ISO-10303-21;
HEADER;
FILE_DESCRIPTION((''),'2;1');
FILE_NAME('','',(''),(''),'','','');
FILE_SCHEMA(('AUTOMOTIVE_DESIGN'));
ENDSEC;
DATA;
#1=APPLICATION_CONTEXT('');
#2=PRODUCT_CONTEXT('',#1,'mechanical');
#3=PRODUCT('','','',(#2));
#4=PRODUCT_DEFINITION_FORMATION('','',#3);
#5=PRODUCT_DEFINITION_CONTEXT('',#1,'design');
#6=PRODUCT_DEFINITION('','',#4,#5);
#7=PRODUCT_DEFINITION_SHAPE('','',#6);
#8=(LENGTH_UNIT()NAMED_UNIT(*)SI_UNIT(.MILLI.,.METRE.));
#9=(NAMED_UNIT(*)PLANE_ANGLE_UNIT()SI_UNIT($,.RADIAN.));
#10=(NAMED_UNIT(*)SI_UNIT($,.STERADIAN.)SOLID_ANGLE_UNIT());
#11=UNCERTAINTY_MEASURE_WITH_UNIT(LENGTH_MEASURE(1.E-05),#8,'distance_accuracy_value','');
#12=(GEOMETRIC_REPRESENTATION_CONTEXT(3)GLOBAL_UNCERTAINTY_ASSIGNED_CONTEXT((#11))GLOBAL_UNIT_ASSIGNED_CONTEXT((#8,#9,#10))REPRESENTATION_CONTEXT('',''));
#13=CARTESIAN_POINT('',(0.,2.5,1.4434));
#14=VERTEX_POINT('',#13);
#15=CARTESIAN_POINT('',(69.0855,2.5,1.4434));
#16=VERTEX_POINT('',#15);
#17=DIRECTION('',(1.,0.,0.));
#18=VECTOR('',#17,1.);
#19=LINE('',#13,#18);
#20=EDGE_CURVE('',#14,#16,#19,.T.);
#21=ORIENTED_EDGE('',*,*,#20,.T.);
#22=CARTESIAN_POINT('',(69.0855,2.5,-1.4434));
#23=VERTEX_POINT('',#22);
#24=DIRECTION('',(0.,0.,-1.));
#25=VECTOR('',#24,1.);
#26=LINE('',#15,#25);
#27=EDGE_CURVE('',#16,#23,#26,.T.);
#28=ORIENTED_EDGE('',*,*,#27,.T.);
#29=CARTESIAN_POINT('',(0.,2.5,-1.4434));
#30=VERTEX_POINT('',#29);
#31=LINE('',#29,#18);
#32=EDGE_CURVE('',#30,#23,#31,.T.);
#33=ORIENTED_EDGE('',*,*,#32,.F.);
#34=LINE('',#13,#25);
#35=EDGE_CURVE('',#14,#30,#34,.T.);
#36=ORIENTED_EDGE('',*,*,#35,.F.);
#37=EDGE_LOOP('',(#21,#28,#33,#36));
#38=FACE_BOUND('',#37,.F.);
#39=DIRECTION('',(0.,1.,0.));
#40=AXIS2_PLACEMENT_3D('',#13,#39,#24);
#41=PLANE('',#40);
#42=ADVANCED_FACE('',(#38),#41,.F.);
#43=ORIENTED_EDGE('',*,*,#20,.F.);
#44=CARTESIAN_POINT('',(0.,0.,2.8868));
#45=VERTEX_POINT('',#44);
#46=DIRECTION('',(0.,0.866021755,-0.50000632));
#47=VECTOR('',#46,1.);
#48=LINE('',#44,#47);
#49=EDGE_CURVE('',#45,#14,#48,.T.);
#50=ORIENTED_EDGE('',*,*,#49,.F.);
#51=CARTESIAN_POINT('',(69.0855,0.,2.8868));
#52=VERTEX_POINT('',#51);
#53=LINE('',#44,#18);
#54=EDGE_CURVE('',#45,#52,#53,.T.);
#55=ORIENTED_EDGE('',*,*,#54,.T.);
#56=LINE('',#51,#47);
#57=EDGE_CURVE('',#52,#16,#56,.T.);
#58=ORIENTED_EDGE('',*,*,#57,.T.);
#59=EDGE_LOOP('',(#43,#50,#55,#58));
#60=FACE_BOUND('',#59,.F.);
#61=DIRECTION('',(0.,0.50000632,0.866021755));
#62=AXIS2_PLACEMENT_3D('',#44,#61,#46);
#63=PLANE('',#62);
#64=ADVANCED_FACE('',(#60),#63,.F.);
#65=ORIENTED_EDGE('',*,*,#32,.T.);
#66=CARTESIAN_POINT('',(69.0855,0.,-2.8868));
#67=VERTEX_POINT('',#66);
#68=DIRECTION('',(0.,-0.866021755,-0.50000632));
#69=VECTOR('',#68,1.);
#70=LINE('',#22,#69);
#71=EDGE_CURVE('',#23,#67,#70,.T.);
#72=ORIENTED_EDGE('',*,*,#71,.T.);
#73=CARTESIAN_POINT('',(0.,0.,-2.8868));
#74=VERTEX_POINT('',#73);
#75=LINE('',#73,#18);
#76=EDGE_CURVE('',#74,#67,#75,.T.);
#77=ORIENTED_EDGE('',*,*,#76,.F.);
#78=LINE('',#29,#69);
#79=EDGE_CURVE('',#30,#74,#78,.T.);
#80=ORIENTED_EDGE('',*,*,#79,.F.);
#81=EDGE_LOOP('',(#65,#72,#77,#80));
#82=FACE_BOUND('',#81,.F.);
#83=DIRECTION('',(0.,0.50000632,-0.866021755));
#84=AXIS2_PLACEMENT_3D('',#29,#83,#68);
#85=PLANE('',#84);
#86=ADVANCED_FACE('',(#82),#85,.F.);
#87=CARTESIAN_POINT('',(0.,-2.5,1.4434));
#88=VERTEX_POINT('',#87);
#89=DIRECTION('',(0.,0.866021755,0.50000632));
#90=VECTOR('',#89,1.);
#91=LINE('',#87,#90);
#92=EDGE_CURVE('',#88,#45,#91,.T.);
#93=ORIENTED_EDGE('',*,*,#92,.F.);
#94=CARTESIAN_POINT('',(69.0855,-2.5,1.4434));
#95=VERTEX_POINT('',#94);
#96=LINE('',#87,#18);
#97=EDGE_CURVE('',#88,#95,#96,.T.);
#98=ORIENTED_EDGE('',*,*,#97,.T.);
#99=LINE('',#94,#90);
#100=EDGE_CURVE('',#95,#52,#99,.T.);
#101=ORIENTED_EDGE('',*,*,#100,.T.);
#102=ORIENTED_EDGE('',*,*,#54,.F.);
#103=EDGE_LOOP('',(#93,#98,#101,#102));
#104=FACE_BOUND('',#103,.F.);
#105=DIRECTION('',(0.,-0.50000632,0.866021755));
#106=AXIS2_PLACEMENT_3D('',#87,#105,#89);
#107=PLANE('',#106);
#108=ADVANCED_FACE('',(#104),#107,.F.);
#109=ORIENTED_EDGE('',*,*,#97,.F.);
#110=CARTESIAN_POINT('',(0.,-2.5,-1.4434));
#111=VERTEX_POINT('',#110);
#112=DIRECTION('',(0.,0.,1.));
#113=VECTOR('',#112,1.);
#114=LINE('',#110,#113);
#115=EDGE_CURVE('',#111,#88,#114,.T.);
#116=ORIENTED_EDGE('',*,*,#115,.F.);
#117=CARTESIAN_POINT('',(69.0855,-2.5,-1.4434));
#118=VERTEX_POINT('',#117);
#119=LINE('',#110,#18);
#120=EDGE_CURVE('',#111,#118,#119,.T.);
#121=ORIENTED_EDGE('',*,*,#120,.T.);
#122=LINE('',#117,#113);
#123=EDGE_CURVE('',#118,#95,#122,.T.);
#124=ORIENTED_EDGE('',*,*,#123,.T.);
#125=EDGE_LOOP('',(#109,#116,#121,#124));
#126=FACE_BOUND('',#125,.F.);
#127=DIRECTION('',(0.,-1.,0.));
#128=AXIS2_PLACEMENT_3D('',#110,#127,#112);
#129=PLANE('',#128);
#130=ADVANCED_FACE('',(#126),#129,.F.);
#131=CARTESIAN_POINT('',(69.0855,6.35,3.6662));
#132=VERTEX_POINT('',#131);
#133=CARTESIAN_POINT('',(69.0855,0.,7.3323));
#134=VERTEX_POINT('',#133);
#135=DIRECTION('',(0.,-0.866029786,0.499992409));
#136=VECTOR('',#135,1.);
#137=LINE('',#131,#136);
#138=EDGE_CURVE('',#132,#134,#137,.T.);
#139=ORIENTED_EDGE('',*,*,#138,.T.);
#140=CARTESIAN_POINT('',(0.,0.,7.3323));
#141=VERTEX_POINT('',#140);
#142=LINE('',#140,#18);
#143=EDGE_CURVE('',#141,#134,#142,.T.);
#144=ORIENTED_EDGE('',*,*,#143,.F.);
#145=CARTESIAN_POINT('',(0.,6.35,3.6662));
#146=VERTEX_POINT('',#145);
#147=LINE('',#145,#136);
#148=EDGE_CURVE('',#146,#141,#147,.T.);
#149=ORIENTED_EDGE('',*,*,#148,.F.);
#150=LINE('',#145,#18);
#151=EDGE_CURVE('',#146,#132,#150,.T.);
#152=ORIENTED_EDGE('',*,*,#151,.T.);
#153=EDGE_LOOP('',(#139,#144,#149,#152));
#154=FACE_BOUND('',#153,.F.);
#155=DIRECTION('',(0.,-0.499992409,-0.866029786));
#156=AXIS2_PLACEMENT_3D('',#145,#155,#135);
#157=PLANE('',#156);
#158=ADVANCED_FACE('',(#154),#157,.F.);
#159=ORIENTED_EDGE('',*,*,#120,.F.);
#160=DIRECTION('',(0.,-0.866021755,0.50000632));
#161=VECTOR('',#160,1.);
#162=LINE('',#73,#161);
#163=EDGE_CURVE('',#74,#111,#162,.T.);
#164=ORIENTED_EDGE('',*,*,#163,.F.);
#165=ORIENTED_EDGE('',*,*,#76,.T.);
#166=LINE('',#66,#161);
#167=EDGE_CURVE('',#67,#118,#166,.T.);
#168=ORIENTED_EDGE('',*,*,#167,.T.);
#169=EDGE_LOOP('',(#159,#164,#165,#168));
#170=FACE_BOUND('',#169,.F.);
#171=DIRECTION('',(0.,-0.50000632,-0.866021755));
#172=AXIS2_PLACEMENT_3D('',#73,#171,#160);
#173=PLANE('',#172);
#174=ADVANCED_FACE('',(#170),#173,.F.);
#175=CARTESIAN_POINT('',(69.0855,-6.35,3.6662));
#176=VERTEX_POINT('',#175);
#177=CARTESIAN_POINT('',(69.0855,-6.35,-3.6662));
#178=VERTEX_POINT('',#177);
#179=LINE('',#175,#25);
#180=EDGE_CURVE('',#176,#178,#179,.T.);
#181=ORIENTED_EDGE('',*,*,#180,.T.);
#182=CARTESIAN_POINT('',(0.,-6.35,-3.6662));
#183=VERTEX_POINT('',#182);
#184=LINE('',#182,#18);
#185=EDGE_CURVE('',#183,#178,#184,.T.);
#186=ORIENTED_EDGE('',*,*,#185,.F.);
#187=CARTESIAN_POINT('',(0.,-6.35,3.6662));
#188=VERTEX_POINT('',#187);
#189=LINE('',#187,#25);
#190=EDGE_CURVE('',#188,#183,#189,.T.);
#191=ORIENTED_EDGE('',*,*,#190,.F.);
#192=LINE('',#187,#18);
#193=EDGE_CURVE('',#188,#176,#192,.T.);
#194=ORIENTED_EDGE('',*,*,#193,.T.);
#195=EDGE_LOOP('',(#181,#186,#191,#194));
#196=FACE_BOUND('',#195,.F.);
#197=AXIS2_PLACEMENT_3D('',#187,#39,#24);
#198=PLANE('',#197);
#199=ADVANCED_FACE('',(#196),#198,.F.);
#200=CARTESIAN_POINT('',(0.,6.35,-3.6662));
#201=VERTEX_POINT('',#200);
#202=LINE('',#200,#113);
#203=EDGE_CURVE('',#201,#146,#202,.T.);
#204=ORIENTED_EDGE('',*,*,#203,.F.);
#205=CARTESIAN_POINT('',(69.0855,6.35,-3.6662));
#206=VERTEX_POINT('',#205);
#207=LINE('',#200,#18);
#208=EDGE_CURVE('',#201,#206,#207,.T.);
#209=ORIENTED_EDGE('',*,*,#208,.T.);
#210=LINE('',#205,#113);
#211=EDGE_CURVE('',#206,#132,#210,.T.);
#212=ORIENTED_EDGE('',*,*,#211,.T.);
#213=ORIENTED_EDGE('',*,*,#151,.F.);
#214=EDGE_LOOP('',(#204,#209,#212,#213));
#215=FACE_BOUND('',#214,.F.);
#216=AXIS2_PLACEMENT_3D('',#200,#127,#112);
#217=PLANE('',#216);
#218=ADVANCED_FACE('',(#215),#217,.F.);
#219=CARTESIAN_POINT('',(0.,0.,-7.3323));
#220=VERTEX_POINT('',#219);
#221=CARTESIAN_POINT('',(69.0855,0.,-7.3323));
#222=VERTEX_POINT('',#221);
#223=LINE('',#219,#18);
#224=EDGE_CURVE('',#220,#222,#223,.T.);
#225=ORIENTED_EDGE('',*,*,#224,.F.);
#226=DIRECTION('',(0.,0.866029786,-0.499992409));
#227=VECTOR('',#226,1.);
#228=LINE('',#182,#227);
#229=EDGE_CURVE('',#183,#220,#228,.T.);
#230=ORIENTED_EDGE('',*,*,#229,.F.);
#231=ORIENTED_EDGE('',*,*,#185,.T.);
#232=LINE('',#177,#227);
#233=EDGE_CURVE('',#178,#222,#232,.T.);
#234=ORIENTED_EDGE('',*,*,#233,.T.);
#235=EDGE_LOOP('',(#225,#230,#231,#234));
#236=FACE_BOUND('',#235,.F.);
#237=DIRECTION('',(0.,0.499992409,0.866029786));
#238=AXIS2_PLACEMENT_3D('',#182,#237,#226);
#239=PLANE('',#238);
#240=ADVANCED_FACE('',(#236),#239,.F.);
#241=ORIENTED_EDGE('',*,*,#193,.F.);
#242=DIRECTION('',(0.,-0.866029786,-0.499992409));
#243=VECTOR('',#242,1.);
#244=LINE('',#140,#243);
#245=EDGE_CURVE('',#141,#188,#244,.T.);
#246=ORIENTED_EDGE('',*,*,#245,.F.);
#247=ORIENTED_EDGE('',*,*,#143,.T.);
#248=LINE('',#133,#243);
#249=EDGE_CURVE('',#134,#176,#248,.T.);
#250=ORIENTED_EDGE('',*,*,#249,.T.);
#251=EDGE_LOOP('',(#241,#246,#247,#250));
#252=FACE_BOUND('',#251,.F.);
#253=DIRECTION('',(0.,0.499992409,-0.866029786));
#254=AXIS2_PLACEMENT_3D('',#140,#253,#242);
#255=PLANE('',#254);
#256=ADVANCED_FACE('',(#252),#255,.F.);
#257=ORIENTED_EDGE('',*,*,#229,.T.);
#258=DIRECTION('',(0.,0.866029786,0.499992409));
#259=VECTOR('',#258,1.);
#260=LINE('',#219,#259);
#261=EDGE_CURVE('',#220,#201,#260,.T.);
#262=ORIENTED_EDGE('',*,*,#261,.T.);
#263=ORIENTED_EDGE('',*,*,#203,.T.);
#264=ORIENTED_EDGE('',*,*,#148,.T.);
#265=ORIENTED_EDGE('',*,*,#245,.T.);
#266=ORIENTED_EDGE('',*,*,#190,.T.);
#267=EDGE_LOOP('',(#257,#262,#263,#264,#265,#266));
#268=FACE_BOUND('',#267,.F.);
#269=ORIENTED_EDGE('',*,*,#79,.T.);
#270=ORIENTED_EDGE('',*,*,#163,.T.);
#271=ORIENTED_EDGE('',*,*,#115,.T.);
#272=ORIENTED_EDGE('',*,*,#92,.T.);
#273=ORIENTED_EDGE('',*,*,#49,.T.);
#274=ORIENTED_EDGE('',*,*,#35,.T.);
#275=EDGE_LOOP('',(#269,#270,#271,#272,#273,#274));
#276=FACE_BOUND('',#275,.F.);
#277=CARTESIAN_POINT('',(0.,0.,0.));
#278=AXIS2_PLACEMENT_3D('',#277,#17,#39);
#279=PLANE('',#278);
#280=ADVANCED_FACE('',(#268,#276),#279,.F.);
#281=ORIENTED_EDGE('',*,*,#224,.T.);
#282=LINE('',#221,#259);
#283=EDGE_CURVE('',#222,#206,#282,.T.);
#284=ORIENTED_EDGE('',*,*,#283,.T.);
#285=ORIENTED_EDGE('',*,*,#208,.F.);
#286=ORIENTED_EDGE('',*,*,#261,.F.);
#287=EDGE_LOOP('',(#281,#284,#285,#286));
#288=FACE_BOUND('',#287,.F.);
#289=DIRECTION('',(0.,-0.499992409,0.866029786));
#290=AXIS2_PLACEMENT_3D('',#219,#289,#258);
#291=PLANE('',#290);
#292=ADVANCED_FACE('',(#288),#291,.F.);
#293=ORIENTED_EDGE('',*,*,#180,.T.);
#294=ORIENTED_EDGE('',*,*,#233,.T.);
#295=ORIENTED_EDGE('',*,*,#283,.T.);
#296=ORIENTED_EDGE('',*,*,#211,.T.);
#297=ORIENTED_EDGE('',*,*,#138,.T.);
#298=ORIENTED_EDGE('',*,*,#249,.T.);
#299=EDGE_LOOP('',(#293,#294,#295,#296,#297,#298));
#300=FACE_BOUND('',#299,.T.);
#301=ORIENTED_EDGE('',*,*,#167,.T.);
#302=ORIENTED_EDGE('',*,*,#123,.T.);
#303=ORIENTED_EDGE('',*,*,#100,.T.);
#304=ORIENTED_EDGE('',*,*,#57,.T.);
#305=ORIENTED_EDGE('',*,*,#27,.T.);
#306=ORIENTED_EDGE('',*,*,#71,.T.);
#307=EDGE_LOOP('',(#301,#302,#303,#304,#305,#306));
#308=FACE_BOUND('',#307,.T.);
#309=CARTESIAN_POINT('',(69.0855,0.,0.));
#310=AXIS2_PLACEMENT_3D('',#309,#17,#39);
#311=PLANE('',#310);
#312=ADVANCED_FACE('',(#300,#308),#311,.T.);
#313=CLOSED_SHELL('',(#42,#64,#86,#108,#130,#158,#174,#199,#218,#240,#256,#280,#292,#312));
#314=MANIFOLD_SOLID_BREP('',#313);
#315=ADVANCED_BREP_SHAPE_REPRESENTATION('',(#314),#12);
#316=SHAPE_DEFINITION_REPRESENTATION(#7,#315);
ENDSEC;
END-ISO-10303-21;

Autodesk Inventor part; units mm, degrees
ref_plane "YZ Plane" through (0, 0, 0) normal (1, 0, 0) x (0, 1, 0)
ref_plane "XZ Plane" through (0, 0, 0) normal (0, 1, 0) x (-1, 0, 0)
ref_plane "XY Plane" through (0, 0, 0) normal (0, 0, 1) x (1, 0, 0)
sketch "Sketch1" plane through (0, 0, 0) normal (1, 0, 0) x (0, 1, 0)
  line L0 (-6.35, -3.6662) -> (0, -7.3323)
  line L1 (-6.35, 3.6662) -> (-6.35, -3.6662)
  line L2 (0, 7.3323) -> (-6.35, 3.6662)
  line L3 (6.35, 3.6662) -> (0, 7.3323)
  line L4 (6.35, -3.6662) -> (6.35, 3.6662)
  line L5 (0, -7.3323) -> (6.35, -3.6662)
  line L6 (2.5, -1.4434) -> (0, -2.8868)
  line L7 (0, -2.8868) -> (-2.5, -1.4434)
  line L8 (-2.5, -1.4434) -> (-2.5, 1.4434)
  line L9 (-2.5, 1.4434) -> (0, 2.8868)
  line L10 (0, 2.8868) -> (2.5, 1.4434)
  line L11 (2.5, 1.4434) -> (2.5, -1.4434)
  point P0 (0, 0)
  point P1 (0, 0)
  dimension "d0" = 5
extrude "Extrusion1" add sketch "Sketch1" along normal blind 69.0855
properties part number "500H x 50mm"
